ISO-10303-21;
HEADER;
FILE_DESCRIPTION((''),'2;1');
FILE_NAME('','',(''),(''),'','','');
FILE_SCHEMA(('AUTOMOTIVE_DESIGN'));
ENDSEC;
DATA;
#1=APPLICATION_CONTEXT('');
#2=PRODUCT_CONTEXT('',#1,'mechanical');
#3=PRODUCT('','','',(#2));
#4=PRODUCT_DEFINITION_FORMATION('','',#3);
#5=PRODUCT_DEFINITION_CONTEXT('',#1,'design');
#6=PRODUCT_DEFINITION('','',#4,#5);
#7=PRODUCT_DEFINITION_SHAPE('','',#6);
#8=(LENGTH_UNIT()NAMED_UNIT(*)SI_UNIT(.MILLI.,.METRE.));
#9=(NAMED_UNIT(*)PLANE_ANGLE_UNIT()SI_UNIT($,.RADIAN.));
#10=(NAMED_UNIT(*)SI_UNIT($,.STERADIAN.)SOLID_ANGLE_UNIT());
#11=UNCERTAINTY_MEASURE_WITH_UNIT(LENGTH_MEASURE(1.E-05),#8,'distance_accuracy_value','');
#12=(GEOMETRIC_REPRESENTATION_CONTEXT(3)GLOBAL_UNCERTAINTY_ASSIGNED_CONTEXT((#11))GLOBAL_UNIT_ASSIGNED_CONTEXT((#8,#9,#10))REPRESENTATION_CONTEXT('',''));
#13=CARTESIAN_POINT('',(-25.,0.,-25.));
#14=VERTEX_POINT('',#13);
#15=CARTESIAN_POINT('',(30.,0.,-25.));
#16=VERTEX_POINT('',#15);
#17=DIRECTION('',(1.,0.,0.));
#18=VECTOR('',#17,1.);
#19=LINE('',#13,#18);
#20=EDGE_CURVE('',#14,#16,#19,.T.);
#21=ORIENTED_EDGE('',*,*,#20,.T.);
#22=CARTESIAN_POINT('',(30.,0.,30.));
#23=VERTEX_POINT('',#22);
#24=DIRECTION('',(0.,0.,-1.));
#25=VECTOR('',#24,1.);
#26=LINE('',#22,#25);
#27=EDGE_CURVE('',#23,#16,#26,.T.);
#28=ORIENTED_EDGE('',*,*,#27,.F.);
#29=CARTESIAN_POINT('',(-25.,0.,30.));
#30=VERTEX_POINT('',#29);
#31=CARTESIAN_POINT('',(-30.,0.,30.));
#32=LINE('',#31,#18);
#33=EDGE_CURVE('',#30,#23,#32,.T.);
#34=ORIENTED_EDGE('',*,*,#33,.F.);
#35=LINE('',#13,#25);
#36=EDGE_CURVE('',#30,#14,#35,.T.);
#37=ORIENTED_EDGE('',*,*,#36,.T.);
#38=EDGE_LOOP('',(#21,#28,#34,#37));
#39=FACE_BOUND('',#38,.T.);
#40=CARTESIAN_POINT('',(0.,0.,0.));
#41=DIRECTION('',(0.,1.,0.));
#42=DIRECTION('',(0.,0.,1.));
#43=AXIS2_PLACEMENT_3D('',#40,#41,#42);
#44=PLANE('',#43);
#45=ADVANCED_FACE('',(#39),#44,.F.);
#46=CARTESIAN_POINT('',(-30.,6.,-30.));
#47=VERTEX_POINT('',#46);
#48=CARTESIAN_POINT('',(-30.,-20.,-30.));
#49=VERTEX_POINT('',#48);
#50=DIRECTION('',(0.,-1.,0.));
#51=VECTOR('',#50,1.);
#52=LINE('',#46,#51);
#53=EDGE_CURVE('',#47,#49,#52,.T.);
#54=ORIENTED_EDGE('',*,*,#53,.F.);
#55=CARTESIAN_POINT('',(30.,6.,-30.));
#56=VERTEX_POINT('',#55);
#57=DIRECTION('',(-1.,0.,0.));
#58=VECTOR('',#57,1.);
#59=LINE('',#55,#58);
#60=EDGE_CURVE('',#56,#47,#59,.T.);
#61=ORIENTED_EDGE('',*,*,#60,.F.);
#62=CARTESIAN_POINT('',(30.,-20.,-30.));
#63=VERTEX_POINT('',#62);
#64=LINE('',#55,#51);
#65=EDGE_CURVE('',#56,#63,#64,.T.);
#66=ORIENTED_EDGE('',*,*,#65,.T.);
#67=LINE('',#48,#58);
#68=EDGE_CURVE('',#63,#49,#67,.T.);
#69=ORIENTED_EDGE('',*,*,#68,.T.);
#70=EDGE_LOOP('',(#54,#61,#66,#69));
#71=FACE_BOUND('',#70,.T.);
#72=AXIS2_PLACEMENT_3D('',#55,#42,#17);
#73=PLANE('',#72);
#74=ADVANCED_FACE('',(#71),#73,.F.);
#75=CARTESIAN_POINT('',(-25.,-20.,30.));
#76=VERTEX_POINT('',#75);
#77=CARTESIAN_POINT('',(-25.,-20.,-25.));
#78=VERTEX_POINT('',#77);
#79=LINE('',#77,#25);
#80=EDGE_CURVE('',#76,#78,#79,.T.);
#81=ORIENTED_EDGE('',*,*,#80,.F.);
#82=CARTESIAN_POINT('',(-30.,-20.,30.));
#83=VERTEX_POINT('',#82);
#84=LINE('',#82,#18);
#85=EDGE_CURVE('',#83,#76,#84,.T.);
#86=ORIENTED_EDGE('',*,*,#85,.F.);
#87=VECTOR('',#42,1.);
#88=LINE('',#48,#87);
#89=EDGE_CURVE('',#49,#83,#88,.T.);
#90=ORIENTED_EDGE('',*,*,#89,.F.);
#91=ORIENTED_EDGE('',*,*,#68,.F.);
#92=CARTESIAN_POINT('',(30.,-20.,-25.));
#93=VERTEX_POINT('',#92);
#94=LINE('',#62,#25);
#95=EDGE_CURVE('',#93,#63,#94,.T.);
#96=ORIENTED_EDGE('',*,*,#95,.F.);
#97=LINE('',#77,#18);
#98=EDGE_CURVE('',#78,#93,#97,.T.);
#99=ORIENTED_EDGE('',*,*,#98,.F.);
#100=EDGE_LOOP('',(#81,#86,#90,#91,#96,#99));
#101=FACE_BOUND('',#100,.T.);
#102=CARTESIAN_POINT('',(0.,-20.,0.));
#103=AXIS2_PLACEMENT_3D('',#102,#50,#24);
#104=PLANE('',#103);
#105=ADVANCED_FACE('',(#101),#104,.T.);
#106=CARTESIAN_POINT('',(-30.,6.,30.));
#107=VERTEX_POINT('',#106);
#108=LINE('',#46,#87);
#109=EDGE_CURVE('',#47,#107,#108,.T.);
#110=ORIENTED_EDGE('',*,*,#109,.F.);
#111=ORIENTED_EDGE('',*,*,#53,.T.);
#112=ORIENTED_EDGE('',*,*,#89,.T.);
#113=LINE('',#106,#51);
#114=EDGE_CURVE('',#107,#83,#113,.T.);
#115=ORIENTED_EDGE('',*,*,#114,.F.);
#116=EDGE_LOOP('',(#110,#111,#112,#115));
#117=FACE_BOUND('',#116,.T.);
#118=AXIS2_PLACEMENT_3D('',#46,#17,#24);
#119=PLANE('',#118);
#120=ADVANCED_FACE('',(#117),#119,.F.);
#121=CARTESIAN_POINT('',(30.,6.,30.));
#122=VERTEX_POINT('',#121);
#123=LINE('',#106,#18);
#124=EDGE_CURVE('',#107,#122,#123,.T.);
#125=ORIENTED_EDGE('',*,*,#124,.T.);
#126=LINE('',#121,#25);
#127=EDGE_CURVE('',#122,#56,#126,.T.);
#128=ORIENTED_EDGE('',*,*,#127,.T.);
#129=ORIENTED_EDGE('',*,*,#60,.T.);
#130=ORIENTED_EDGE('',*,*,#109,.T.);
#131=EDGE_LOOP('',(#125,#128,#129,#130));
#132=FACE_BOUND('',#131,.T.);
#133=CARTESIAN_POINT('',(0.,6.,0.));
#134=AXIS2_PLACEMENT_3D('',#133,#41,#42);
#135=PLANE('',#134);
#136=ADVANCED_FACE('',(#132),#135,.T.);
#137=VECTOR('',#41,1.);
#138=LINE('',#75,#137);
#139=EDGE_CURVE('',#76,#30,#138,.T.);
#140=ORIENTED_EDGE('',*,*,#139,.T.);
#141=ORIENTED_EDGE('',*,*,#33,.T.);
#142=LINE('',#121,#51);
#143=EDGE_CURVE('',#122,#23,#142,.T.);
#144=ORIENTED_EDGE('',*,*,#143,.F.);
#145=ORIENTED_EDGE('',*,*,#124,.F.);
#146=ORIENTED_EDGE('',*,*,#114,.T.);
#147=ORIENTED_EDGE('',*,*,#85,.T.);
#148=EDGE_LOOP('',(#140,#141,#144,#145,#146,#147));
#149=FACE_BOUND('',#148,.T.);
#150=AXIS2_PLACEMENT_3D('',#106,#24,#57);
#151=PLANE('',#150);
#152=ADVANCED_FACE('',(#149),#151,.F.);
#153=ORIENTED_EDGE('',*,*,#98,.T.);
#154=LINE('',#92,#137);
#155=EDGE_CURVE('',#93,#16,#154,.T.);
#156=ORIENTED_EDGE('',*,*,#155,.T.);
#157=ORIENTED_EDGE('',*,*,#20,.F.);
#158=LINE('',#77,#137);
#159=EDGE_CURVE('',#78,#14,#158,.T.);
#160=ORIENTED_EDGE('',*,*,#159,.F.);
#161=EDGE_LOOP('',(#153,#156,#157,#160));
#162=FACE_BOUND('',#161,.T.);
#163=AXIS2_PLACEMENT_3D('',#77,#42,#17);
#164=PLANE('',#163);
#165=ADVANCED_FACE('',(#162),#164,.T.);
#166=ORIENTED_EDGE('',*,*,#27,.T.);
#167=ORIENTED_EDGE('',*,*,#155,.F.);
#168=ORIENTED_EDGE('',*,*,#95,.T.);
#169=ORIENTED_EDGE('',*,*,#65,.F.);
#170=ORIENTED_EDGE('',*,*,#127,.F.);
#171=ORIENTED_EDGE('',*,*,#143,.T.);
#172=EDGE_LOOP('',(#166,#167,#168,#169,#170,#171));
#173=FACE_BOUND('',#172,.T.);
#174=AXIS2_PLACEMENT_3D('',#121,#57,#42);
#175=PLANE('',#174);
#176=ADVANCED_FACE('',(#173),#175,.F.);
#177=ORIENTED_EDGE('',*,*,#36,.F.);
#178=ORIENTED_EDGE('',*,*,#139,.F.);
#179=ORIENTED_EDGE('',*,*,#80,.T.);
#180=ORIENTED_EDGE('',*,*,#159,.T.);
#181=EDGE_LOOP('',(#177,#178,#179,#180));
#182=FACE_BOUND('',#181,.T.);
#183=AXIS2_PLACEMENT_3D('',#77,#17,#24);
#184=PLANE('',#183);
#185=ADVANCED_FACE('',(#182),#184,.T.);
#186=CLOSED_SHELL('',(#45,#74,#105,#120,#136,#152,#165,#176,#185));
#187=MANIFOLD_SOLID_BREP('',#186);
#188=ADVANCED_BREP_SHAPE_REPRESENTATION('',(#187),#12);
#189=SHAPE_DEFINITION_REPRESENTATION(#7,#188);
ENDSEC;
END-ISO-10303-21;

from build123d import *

# Parameters (mm, degrees)
SKETCH1_W           = 60
SKETCH1_H           = 60
BOSS_EXTRUDE1_DEPTH = 6
BOSS_EXTRUDE2_DEPTH = 20


with BuildPart() as part:
    # Sketch1 → Boss-Extrude1 (new body)
    with BuildSketch(Plane(origin=(0, 0, 0), x_dir=(1, 0, 0), z_dir=(0, 1, 0))):
        Rectangle(SKETCH1_W, SKETCH1_H)
    extrude(amount=BOSS_EXTRUDE1_DEPTH)

    # Sketch2 → Boss-Extrude2 (add)
    with BuildSketch(Plane(origin=(0, 0, 0), x_dir=(1, 0, 0), z_dir=(0, 1, 0))):
        Polygon((-30, 30), (-30, -30), (-25, -30), (-25, 25), (30, 25), (30, 30), align=None)
    extrude(amount=-BOSS_EXTRUDE2_DEPTH)


solid = part.part
